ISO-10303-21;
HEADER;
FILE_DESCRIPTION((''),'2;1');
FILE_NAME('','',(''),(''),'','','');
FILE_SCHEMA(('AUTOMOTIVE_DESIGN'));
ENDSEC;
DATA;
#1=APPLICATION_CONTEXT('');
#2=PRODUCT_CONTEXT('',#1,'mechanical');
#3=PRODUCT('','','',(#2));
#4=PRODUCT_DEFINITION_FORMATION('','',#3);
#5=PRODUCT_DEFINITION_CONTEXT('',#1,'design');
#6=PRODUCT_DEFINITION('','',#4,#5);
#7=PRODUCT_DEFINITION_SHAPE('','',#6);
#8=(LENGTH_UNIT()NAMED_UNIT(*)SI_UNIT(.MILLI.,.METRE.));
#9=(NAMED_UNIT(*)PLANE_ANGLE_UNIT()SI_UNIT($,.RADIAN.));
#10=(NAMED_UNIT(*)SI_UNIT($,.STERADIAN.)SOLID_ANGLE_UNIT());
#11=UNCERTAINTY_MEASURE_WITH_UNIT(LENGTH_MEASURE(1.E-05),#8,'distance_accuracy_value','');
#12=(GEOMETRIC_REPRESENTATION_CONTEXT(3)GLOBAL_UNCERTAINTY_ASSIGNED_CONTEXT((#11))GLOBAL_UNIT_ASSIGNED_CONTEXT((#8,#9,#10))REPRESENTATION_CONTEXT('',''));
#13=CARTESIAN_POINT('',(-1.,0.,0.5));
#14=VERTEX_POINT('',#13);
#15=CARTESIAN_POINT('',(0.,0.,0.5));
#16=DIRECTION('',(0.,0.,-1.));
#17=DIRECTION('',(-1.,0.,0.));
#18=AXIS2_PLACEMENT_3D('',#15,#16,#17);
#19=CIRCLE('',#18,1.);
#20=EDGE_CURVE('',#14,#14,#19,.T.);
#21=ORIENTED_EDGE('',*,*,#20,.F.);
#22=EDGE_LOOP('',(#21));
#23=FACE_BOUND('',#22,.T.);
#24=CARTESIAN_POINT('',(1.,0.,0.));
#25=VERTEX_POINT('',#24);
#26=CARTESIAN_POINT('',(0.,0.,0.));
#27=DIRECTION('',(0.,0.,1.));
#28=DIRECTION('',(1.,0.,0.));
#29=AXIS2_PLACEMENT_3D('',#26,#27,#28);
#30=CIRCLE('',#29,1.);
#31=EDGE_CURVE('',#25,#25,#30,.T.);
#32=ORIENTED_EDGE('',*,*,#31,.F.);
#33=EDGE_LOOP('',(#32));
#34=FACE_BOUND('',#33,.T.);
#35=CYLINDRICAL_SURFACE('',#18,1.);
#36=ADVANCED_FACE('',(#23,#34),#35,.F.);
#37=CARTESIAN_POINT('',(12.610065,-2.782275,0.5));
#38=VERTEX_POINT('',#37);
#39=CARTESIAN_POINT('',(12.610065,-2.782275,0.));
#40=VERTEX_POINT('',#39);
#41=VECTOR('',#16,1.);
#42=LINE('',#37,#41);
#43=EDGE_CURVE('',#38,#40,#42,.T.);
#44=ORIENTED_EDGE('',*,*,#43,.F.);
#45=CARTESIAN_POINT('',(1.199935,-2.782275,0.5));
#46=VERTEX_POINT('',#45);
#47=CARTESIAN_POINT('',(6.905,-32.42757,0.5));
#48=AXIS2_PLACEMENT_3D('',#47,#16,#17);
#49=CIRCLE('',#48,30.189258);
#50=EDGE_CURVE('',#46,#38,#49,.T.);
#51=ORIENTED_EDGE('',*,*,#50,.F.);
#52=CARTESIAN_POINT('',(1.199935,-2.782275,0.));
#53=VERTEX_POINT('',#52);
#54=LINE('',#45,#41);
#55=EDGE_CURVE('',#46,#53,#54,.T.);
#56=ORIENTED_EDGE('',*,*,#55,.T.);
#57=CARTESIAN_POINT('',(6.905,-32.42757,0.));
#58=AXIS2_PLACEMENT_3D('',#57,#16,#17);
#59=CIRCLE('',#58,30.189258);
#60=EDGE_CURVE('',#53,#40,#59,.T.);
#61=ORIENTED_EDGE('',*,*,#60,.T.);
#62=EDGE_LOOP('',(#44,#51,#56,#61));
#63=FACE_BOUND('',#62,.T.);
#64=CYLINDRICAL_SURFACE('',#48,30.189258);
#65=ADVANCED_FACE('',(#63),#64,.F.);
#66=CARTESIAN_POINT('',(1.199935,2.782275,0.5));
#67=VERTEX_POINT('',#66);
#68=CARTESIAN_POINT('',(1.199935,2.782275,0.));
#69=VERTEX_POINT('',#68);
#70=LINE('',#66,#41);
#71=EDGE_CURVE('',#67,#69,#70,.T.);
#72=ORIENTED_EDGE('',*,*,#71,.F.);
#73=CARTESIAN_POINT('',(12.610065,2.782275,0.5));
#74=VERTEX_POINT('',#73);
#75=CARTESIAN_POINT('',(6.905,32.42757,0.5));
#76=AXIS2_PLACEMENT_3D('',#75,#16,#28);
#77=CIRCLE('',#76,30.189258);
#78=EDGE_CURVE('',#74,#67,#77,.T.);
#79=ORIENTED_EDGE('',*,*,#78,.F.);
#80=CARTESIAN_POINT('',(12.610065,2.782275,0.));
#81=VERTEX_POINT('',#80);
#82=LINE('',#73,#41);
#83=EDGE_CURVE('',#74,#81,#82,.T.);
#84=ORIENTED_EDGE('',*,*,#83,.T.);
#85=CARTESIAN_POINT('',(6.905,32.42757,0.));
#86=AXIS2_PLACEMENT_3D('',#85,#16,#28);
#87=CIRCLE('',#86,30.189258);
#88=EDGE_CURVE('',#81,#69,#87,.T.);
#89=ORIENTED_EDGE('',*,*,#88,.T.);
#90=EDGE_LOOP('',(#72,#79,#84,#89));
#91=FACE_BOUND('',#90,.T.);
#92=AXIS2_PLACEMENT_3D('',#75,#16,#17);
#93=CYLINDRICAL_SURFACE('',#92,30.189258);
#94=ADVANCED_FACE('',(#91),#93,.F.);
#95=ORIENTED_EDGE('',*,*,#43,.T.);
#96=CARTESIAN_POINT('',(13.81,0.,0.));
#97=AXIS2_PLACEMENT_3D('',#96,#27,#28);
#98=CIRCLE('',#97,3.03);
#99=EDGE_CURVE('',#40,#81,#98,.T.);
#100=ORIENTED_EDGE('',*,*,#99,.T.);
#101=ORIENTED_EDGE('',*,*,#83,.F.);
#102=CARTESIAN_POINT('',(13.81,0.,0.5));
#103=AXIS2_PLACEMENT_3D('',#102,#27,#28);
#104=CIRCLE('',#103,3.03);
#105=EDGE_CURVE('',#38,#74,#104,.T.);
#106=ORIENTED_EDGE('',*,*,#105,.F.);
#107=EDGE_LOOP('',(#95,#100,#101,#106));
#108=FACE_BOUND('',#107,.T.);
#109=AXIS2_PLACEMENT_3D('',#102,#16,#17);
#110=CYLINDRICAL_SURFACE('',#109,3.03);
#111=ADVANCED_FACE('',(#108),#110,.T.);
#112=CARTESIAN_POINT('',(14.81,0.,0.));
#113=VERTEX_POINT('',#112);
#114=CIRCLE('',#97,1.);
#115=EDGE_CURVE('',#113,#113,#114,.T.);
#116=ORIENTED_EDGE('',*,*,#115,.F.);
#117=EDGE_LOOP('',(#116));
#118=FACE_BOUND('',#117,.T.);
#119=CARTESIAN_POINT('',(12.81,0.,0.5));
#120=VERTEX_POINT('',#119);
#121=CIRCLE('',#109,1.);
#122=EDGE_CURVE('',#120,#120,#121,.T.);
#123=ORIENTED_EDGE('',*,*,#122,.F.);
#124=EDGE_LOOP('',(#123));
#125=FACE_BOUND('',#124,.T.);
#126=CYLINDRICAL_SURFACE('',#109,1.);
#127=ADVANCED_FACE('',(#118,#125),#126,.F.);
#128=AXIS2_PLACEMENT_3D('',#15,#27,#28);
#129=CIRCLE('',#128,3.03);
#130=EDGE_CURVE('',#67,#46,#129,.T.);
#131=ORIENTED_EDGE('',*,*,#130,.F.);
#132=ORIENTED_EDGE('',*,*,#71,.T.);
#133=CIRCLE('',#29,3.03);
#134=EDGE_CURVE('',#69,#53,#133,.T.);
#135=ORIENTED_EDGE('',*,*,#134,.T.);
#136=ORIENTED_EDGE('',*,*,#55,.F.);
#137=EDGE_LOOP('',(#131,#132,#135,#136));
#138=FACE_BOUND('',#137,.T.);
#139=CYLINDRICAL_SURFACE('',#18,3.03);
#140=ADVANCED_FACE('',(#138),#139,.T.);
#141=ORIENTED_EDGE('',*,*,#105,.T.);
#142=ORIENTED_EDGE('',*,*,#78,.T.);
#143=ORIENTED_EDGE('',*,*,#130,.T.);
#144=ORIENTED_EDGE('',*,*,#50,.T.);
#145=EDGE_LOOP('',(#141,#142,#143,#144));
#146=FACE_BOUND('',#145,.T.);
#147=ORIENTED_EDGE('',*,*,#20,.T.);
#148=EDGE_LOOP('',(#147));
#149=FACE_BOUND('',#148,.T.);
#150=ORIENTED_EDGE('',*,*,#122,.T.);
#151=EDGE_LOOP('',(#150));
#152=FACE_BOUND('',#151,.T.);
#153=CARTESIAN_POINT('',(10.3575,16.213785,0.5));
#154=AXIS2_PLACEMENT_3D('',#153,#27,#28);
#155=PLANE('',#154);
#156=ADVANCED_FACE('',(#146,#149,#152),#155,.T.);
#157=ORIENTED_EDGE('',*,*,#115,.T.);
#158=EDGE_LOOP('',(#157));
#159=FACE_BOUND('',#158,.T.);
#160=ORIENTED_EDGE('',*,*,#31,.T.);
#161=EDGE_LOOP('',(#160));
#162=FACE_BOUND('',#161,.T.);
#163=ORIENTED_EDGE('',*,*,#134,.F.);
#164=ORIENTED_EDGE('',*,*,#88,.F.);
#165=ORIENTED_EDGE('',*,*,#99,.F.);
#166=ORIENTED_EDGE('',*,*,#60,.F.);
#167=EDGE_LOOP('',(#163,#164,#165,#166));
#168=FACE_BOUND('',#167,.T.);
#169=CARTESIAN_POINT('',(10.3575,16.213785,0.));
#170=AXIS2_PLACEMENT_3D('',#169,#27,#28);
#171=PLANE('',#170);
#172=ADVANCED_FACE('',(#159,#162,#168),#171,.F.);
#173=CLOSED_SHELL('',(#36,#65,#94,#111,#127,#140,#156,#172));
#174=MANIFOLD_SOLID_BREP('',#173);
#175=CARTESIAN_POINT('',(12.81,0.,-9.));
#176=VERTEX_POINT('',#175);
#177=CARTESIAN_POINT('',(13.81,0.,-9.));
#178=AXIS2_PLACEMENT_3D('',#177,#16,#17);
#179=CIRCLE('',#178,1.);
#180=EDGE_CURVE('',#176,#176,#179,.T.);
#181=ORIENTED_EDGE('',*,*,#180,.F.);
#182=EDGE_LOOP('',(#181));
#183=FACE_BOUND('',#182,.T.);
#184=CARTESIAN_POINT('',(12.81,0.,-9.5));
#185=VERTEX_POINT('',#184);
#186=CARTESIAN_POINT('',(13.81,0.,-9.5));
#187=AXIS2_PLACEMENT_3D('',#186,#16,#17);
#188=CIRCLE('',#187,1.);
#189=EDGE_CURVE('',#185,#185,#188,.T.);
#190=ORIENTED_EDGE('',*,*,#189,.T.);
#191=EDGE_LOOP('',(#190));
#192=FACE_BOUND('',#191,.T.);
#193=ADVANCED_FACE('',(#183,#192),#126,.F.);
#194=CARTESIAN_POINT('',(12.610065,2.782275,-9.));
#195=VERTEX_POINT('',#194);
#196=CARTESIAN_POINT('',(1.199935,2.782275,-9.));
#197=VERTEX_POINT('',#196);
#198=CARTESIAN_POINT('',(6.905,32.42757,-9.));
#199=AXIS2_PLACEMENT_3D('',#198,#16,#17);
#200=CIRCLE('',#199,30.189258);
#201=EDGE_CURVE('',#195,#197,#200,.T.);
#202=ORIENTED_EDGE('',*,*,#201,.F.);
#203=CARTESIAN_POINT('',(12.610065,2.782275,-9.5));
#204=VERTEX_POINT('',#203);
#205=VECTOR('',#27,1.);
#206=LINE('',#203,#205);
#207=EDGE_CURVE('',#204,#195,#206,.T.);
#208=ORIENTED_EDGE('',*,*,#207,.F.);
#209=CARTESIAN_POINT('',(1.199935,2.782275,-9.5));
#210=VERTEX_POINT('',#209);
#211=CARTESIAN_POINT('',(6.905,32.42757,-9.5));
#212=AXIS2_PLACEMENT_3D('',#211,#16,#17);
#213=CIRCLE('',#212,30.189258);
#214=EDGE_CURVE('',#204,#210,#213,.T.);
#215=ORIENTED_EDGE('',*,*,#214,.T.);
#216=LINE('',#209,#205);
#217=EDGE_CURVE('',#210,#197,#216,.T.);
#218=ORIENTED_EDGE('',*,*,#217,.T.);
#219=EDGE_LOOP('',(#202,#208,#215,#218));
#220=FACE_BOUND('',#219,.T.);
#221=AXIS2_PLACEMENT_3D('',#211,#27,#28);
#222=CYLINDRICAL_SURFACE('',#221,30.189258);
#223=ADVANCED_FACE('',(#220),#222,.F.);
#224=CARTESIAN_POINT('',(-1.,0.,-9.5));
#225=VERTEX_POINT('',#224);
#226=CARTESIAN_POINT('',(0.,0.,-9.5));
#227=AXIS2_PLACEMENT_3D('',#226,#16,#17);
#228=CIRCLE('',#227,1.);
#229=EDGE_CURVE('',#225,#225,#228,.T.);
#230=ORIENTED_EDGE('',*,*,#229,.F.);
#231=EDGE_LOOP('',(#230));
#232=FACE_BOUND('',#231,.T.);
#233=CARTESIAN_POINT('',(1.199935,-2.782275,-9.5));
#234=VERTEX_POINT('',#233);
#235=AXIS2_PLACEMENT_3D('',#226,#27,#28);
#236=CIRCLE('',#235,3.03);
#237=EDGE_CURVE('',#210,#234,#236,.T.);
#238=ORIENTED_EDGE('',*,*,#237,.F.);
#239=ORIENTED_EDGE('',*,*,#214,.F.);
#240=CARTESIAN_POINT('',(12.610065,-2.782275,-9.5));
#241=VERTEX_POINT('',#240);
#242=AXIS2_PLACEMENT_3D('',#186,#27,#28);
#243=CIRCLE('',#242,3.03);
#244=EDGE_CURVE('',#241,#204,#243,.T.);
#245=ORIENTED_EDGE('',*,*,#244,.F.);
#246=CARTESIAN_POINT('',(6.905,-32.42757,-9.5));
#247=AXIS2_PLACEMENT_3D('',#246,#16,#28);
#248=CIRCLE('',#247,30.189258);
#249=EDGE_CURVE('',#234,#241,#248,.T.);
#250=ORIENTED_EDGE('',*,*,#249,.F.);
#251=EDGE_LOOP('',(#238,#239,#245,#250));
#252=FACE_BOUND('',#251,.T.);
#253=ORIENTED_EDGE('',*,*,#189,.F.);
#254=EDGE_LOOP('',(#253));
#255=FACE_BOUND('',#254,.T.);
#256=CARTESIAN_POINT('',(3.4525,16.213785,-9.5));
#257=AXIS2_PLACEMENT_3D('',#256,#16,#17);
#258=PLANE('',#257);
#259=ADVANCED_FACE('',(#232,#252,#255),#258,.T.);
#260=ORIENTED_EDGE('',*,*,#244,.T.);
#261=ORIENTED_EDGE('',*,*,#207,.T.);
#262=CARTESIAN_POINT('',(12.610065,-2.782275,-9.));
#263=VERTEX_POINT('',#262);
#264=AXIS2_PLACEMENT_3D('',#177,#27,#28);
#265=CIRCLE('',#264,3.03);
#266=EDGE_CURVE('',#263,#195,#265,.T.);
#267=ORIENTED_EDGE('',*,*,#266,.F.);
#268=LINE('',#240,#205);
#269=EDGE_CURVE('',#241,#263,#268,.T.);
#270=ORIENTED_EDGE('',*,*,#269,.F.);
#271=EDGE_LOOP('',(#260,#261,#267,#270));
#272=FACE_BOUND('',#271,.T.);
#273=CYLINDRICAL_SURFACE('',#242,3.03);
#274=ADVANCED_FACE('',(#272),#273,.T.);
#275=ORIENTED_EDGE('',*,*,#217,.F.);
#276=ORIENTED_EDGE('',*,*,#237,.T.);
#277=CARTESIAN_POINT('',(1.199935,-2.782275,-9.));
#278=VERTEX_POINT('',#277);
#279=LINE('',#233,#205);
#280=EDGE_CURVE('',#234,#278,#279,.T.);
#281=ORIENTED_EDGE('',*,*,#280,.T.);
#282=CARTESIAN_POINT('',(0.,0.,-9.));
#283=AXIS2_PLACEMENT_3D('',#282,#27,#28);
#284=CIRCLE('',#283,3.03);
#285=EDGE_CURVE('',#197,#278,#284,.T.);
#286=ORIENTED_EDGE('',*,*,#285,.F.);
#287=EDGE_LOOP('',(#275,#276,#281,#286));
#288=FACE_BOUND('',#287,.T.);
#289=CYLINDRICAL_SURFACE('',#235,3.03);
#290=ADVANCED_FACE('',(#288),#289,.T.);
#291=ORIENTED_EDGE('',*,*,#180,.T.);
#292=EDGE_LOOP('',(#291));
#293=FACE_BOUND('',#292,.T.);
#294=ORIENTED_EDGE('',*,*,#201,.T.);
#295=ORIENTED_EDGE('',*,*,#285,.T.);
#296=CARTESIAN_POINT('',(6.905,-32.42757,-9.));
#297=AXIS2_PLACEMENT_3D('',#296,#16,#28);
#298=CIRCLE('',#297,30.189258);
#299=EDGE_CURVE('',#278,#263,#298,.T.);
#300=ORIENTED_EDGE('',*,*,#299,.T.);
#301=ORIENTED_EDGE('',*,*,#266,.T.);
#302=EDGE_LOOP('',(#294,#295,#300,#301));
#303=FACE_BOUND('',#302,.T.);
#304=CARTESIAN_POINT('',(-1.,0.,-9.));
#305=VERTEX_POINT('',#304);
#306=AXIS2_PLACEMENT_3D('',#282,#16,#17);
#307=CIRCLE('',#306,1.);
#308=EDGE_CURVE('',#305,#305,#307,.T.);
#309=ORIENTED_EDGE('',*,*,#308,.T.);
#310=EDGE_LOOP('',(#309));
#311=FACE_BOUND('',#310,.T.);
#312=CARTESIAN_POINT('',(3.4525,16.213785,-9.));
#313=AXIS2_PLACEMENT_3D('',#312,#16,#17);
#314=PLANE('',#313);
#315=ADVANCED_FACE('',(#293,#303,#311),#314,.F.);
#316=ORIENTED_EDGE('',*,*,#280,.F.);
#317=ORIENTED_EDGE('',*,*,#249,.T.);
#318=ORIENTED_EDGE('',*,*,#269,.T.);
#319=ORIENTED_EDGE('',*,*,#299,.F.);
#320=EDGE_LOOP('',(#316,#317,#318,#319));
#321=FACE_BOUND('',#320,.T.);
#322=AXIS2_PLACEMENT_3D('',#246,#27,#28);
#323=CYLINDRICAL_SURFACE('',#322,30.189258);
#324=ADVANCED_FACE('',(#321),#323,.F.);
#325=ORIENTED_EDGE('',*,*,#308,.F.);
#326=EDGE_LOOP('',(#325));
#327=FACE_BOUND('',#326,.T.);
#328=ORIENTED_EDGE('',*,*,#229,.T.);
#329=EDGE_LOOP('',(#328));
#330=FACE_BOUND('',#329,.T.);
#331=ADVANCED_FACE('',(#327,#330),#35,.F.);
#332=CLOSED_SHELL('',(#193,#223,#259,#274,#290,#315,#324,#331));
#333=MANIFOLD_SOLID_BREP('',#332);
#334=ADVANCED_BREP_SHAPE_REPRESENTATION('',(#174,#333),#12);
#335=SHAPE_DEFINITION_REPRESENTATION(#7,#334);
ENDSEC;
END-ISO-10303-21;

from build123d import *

# Parameters (mm, degrees)
EXTRUDE_1_DEPTH          = 0.5
EXTRUDE_2_DEPTH          = 0.5
CUT_EXTRUDE_1_DEPTH      = 20.818337468
CUT_EXTRUDE_1_DEPTH_BACK = 20.818337468
SKETCH_3_R               = 1


with BuildPart() as part:
    # 草图1 → 凸台-拉伸1 (new body)
    with BuildSketch(Plane.XY):
        with BuildLine():
            ThreePointArc((1.1999346, 2.782275499), (-3.03, 0), (1.1999346, -2.782275499))
            ThreePointArc((1.1999346, -2.782275499), (6.905, -2.238312691), (12.6100654, -2.782275499))
            ThreePointArc((12.6100654, -2.782275499), (16.84, 0), (12.6100654, 2.782275499))
            ThreePointArc((12.6100654, 2.782275499), (6.905, 2.238312691), (1.1999346, 2.782275499))
        make_face()
    extrude(amount=EXTRUDE_1_DEPTH)


with BuildPart() as body_2:
    # 草图2 → 凸台-拉伸2 (new body)
    with BuildSketch(Plane.XY.offset(-9)):
        with BuildLine():
            ThreePointArc((12.6100654, -2.782275499), (16.84, 0), (12.6100654, 2.782275499))
            ThreePointArc((12.6100654, 2.782275499), (6.905, 2.238312691), (1.1999346, 2.782275499))
            ThreePointArc((1.1999346, 2.782275499), (-3.03, 0), (1.1999346, -2.782275499))
            ThreePointArc((1.1999346, -2.782275499), (6.905, -2.238312691), (12.6100654, -2.782275499))
        make_face()
    extrude(amount=-EXTRUDE_2_DEPTH)


with BuildPart() as cut_extrude_1_tool:
    # 草图3 → 切除-拉伸1 (new, two sides: drawn at the far end of the back side and taken through both)
    with BuildSketch(Plane(origin=(0, 0, -9.5), x_dir=(-1, 0, 0), z_dir=(0, 0, -1)).offset(-CUT_EXTRUDE_1_DEPTH_BACK)):
        with Locations((-13.81, 0)):
            Circle(SKETCH_3_R)
        Circle(SKETCH_3_R)
    extrude(amount=CUT_EXTRUDE_1_DEPTH + CUT_EXTRUDE_1_DEPTH_BACK)


with BuildPart() as part_1:
    add(part.part)

    # 切除-拉伸1: cut by cut_extrude_1_tool
    add(cut_extrude_1_tool.part, mode=Mode.SUBTRACT)


with BuildPart() as body_2_1:
    add(body_2.part)

    # 切除-拉伸1: cut by cut_extrude_1_tool
    add(cut_extrude_1_tool.part, mode=Mode.SUBTRACT)


solid = Compound([part_1.part, body_2_1.part])
